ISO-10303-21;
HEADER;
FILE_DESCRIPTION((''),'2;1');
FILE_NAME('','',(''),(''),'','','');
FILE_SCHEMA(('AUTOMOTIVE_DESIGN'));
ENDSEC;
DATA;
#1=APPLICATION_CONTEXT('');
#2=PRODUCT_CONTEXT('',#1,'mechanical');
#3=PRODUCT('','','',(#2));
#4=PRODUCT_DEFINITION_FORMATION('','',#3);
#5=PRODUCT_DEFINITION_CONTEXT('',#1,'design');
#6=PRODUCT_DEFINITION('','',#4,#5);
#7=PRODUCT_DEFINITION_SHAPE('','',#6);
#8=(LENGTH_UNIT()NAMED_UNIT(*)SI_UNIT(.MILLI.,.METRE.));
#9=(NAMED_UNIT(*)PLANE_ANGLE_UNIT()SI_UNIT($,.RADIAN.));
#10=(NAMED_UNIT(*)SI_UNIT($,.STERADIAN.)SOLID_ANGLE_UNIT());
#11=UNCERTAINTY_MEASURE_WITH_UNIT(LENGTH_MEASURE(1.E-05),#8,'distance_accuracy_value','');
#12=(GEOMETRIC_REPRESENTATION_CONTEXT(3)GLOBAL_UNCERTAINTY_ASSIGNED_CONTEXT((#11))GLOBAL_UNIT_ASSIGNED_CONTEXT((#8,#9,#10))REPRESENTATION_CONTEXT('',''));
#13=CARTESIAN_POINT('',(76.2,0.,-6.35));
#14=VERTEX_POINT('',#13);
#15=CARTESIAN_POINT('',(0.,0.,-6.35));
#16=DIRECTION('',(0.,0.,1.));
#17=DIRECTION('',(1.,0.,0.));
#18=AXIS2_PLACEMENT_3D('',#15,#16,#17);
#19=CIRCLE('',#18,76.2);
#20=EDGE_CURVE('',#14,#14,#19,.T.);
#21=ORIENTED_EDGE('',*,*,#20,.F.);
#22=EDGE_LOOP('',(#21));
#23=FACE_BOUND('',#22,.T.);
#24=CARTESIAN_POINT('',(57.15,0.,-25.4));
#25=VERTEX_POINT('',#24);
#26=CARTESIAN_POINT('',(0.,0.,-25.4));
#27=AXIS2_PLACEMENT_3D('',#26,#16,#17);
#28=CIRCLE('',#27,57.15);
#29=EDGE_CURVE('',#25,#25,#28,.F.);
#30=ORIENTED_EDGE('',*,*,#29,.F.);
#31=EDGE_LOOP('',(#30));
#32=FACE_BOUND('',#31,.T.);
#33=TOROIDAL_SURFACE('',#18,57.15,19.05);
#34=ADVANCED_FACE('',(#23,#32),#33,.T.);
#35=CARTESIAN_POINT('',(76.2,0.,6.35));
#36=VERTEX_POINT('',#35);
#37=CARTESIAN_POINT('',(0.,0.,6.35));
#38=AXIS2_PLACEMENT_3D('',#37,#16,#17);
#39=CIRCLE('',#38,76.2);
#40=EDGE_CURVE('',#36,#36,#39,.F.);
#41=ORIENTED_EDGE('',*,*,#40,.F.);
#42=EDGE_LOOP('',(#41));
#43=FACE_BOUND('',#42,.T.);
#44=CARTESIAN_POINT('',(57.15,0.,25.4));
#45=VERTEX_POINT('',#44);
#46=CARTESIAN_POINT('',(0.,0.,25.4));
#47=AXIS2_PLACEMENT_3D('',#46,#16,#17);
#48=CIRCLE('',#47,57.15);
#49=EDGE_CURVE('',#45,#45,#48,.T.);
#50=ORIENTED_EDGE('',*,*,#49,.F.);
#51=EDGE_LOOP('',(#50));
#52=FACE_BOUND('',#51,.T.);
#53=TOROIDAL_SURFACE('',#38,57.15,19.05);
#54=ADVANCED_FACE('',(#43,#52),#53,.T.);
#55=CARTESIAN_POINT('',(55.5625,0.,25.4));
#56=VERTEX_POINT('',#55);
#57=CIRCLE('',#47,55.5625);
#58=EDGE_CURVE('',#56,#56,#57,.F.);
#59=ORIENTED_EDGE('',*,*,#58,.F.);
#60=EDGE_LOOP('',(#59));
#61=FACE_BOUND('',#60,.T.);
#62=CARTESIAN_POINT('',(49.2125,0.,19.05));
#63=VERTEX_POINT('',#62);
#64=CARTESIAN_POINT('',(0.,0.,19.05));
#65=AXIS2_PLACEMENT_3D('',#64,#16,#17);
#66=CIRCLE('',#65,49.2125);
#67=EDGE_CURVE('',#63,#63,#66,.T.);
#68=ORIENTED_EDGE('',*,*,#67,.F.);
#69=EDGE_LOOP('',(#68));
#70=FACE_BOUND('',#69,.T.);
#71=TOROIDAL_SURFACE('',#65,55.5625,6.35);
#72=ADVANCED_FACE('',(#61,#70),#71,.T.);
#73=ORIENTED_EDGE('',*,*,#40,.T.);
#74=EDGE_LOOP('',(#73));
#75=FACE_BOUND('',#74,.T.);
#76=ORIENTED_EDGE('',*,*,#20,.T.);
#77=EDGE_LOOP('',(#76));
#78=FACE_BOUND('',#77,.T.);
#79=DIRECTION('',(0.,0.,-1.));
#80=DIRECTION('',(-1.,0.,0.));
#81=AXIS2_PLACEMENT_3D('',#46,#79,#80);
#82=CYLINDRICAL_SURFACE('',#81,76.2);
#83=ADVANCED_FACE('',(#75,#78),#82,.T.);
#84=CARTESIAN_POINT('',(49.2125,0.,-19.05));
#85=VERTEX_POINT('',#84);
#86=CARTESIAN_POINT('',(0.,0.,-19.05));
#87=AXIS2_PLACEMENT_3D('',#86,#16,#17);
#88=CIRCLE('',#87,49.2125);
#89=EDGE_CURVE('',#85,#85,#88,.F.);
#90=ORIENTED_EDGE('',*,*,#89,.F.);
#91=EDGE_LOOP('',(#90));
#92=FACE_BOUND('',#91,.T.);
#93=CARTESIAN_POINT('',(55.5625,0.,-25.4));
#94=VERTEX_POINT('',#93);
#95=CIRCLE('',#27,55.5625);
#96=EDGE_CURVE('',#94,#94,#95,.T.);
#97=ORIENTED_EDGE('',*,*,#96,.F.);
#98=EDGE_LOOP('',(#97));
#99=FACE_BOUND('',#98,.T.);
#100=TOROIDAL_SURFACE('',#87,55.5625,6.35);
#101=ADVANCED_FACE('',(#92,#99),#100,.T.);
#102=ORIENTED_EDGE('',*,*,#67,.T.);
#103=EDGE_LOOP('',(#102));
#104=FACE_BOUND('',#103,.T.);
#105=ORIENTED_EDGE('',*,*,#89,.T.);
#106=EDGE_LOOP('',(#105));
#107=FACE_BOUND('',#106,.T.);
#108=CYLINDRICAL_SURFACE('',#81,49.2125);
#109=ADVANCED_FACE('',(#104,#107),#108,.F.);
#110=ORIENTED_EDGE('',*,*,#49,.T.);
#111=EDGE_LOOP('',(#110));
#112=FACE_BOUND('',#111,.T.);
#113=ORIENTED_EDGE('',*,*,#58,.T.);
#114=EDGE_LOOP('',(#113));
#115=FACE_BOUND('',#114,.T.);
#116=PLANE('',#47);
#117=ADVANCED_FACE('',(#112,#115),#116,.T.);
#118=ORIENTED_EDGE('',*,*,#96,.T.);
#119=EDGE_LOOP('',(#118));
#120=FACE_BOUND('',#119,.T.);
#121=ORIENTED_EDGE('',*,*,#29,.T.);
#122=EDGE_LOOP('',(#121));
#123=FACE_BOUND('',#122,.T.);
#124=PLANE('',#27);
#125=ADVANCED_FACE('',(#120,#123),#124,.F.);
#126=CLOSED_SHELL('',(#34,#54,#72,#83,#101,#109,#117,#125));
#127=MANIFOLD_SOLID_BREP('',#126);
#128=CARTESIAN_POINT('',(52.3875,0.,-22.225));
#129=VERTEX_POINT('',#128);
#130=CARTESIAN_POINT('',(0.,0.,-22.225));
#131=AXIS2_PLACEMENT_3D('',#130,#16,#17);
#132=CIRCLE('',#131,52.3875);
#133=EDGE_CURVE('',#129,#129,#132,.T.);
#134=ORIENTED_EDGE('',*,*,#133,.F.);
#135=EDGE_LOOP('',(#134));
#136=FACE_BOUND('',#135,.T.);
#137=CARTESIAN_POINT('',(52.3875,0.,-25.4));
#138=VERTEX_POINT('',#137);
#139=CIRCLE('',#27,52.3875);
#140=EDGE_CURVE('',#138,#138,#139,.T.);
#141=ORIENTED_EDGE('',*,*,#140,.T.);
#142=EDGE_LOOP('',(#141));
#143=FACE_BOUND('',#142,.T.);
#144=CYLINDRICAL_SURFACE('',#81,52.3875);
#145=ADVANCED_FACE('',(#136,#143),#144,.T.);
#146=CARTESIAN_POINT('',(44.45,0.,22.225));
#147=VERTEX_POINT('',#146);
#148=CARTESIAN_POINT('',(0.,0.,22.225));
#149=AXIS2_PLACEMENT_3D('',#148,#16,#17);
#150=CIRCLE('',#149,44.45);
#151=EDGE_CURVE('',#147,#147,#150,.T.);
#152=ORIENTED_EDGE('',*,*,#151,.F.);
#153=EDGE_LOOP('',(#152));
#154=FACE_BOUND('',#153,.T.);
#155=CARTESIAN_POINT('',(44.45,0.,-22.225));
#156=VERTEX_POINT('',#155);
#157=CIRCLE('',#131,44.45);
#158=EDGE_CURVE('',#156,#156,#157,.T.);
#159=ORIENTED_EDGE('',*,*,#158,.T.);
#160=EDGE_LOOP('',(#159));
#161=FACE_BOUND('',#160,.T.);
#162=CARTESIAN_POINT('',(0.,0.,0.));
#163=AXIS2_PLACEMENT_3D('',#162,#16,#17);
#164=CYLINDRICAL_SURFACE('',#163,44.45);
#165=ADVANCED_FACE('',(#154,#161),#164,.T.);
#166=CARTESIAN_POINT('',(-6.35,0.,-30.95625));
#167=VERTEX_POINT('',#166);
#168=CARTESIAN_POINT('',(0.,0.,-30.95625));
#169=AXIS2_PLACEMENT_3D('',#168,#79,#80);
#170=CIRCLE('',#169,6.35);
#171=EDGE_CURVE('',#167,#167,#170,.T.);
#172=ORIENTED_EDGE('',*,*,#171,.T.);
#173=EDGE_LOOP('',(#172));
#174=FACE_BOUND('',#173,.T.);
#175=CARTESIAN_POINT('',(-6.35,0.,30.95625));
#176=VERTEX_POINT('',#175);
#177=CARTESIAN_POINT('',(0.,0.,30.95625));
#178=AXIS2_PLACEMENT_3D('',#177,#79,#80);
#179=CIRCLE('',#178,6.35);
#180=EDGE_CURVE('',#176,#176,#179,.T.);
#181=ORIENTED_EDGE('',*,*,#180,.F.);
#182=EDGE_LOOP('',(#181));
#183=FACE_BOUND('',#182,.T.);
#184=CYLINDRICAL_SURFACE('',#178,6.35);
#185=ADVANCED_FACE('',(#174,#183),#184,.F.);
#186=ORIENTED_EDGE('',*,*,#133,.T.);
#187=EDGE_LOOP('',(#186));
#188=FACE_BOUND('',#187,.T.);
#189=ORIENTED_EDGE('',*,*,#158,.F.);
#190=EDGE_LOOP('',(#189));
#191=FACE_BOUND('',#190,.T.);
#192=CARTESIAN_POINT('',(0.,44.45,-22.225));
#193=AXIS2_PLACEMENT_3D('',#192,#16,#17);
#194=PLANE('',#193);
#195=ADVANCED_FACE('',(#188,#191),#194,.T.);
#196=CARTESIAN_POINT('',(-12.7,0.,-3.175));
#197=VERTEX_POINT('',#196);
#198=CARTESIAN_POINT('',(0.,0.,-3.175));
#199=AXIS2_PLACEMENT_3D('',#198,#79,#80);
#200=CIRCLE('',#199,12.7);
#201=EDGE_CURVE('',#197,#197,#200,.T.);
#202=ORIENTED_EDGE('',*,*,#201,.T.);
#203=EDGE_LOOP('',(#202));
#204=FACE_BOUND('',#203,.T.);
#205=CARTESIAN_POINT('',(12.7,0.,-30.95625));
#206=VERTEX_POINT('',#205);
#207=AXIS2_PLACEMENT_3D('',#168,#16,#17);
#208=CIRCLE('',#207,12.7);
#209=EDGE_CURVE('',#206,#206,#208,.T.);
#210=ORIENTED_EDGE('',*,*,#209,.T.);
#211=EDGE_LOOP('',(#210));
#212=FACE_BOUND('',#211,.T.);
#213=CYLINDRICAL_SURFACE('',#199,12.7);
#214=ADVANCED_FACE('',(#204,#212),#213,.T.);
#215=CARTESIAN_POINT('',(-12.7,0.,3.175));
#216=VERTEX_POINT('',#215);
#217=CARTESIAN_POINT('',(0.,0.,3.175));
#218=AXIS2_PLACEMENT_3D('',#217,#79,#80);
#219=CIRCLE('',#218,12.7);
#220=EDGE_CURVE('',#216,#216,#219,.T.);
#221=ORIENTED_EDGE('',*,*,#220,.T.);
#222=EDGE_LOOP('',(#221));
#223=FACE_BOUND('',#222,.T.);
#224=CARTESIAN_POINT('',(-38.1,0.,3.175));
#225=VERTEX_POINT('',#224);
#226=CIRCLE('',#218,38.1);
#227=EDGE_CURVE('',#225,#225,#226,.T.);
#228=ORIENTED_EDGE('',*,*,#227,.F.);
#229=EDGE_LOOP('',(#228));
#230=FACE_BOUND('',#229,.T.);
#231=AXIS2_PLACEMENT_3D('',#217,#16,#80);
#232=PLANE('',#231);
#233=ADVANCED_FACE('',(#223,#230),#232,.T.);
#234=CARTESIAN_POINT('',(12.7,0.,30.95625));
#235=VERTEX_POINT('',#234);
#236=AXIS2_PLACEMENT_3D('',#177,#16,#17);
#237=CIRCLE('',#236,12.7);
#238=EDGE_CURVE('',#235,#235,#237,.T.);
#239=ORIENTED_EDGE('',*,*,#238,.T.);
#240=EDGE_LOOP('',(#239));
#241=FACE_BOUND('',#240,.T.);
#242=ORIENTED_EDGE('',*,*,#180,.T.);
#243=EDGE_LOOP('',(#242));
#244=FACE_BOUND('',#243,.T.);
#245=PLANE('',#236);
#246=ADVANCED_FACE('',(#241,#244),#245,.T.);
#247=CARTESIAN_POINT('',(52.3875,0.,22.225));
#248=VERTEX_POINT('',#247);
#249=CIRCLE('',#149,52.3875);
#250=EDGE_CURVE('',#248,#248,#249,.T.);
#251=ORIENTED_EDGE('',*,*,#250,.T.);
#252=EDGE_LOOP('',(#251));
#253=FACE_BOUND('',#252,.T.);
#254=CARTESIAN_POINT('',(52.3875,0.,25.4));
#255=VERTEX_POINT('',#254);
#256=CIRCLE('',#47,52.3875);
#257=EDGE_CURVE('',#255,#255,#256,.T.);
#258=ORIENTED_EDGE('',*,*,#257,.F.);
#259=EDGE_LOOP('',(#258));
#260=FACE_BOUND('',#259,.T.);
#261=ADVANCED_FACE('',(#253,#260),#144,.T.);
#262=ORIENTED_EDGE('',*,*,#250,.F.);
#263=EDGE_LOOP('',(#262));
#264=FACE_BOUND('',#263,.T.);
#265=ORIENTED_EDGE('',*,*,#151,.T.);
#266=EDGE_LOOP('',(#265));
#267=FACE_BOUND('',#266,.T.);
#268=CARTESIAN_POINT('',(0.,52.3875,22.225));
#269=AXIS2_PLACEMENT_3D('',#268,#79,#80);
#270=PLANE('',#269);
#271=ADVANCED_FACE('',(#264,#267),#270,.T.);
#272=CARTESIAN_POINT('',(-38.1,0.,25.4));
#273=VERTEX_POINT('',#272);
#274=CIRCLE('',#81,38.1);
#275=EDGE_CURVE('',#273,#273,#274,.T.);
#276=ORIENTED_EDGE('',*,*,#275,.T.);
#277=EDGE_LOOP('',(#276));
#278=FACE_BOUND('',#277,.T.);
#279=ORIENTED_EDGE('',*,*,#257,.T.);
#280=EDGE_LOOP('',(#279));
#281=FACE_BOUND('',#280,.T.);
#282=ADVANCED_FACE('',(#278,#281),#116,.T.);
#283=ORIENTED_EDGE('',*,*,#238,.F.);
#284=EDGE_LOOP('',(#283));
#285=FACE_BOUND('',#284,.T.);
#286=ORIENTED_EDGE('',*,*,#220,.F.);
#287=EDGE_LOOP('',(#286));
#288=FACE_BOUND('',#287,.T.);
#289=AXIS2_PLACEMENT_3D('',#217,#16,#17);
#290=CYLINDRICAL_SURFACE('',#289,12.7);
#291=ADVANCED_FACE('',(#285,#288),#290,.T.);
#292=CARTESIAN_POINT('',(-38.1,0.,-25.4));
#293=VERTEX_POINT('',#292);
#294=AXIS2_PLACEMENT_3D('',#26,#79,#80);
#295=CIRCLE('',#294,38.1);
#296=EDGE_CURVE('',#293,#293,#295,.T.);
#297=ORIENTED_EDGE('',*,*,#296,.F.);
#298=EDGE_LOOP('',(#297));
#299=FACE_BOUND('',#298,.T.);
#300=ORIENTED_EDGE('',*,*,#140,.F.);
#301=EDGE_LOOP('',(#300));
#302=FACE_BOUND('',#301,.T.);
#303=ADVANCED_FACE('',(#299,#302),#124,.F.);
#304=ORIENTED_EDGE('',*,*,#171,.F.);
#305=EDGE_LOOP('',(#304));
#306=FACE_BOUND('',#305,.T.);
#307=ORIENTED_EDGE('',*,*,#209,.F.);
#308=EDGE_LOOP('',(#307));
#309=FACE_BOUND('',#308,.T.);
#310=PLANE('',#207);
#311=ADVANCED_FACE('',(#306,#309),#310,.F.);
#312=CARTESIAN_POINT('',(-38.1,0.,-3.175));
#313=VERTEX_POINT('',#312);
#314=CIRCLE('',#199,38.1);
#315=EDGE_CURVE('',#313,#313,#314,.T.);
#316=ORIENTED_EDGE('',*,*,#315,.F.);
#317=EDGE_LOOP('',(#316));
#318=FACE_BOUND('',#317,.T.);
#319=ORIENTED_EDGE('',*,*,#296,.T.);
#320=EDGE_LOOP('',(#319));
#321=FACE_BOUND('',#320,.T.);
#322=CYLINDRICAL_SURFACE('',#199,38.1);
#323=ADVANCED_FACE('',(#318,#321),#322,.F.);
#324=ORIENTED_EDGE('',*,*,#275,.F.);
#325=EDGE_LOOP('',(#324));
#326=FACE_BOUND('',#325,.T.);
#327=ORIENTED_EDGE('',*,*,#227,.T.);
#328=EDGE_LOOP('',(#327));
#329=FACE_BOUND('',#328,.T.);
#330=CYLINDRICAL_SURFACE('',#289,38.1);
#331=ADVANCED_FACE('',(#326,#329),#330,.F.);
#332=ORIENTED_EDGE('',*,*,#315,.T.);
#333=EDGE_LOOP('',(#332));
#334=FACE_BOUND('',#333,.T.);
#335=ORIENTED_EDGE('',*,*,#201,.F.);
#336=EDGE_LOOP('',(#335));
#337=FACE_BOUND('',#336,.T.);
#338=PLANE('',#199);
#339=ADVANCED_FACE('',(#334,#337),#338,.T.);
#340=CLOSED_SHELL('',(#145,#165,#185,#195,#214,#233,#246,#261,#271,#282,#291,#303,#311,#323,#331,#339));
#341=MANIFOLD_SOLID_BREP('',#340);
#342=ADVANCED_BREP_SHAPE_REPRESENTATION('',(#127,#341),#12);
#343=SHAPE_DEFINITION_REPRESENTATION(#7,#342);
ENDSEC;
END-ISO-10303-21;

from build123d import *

# Parameters (mm, degrees)
SKETCH1_R           = 76.2
SKETCH1_R_2         = 49.2125
BOSS_EXTRUDE1_DEPTH = 25.4
FILLET1_R           = 19.05
FILLET2_R           = 6.35
SKETCH2_R           = 52.3875
BOSS_EXTRUDE2_DEPTH = 25.4
SKETCH3_W           = 44.45
SKETCH3_H           = 7.9375
SKETCH4_R           = 38.1
SKETCH4_R_2         = 12.7
CUT_EXTRUDE1_DEPTH  = 22.225
SKETCH5_R           = 12.7
BOSS_EXTRUDE3_DEPTH = 30.95625
SKETCH6_R           = 6.35
CUT_EXTRUDE2_DEPTH  = 125.28208904


with BuildPart() as part:
    # Sketch1 → Boss-Extrude1 (new, symmetric)
    with BuildSketch(Plane.XY):
        Circle(SKETCH1_R)
        Circle(SKETCH1_R_2, mode=Mode.SUBTRACT)
    extrude(amount=BOSS_EXTRUDE1_DEPTH, both=True)

    # Fillet1
    fillet1_edges = [part.edges().sort_by_distance(p)[0] for p in [
        (-76.2, 0, -25.4),
        (-76.2, 0, 25.4),
    ]]
    fillet(fillet1_edges, radius=FILLET1_R)

    # Fillet2
    fillet2_edges = [part.edges().sort_by_distance(p)[0] for p in [
        (-49.2125, 0, -25.4),
        (-49.2125, 0, 25.4),
    ]]
    fillet(fillet2_edges, radius=FILLET2_R)


with BuildPart() as body_2:
    # Sketch2 → Boss-Extrude2 (new, symmetric)
    with BuildSketch(Plane.XY):
        Circle(SKETCH2_R)
    extrude(amount=BOSS_EXTRUDE2_DEPTH, both=True)

    # Sketch3 → Cut-Revolve1 (revolve, cut)
    with BuildSketch(Plane(origin=(0, 0, 0), x_dir=(0, 0, -1), z_dir=(1, 0, 0)), mode=Mode.PRIVATE) as cut_revolve1_sk:
        with Locations((0, 48.41875)):
            Rectangle(SKETCH3_W, SKETCH3_H)
    revolve(cut_revolve1_sk.sketch.rotate(Axis((0, 0, 0), (0, 0, -1)), 90), axis=Axis((0, 0, 0), (0, 0, -1)), mode=Mode.SUBTRACT)

    # Sketch4 → Cut-Extrude1 (cut)
    with BuildSketch(Plane(origin=(0, 0, -25.4), x_dir=(-1, 0, 0), z_dir=(0, 0, -1))):
        Circle(SKETCH4_R)
        Circle(SKETCH4_R_2, mode=Mode.SUBTRACT)
    cut_extrude1 = extrude(amount=-CUT_EXTRUDE1_DEPTH, mode=Mode.SUBTRACT)

    # Mirror1: Cut-Extrude1 across plane
    add(cut_extrude1.mirror(Plane.XY), mode=Mode.SUBTRACT)

    # Sketch5 → Boss-Extrude3 (add, symmetric)
    with BuildSketch(Plane.XY):
        with Locations(Location((0, 0, 0), (0, 0, 180))):
            Circle(SKETCH5_R)
    extrude(amount=BOSS_EXTRUDE3_DEPTH, both=True)

    # Sketch6 → Cut-Extrude2 (cut, through all)
    with BuildSketch(Plane(origin=(0, 0, -30.95625), x_dir=(-1, 0, 0), z_dir=(0, 0, -1))):
        Circle(SKETCH6_R)
    extrude(amount=-CUT_EXTRUDE2_DEPTH, mode=Mode.SUBTRACT)


solid = Compound([part.part, body_2.part])
